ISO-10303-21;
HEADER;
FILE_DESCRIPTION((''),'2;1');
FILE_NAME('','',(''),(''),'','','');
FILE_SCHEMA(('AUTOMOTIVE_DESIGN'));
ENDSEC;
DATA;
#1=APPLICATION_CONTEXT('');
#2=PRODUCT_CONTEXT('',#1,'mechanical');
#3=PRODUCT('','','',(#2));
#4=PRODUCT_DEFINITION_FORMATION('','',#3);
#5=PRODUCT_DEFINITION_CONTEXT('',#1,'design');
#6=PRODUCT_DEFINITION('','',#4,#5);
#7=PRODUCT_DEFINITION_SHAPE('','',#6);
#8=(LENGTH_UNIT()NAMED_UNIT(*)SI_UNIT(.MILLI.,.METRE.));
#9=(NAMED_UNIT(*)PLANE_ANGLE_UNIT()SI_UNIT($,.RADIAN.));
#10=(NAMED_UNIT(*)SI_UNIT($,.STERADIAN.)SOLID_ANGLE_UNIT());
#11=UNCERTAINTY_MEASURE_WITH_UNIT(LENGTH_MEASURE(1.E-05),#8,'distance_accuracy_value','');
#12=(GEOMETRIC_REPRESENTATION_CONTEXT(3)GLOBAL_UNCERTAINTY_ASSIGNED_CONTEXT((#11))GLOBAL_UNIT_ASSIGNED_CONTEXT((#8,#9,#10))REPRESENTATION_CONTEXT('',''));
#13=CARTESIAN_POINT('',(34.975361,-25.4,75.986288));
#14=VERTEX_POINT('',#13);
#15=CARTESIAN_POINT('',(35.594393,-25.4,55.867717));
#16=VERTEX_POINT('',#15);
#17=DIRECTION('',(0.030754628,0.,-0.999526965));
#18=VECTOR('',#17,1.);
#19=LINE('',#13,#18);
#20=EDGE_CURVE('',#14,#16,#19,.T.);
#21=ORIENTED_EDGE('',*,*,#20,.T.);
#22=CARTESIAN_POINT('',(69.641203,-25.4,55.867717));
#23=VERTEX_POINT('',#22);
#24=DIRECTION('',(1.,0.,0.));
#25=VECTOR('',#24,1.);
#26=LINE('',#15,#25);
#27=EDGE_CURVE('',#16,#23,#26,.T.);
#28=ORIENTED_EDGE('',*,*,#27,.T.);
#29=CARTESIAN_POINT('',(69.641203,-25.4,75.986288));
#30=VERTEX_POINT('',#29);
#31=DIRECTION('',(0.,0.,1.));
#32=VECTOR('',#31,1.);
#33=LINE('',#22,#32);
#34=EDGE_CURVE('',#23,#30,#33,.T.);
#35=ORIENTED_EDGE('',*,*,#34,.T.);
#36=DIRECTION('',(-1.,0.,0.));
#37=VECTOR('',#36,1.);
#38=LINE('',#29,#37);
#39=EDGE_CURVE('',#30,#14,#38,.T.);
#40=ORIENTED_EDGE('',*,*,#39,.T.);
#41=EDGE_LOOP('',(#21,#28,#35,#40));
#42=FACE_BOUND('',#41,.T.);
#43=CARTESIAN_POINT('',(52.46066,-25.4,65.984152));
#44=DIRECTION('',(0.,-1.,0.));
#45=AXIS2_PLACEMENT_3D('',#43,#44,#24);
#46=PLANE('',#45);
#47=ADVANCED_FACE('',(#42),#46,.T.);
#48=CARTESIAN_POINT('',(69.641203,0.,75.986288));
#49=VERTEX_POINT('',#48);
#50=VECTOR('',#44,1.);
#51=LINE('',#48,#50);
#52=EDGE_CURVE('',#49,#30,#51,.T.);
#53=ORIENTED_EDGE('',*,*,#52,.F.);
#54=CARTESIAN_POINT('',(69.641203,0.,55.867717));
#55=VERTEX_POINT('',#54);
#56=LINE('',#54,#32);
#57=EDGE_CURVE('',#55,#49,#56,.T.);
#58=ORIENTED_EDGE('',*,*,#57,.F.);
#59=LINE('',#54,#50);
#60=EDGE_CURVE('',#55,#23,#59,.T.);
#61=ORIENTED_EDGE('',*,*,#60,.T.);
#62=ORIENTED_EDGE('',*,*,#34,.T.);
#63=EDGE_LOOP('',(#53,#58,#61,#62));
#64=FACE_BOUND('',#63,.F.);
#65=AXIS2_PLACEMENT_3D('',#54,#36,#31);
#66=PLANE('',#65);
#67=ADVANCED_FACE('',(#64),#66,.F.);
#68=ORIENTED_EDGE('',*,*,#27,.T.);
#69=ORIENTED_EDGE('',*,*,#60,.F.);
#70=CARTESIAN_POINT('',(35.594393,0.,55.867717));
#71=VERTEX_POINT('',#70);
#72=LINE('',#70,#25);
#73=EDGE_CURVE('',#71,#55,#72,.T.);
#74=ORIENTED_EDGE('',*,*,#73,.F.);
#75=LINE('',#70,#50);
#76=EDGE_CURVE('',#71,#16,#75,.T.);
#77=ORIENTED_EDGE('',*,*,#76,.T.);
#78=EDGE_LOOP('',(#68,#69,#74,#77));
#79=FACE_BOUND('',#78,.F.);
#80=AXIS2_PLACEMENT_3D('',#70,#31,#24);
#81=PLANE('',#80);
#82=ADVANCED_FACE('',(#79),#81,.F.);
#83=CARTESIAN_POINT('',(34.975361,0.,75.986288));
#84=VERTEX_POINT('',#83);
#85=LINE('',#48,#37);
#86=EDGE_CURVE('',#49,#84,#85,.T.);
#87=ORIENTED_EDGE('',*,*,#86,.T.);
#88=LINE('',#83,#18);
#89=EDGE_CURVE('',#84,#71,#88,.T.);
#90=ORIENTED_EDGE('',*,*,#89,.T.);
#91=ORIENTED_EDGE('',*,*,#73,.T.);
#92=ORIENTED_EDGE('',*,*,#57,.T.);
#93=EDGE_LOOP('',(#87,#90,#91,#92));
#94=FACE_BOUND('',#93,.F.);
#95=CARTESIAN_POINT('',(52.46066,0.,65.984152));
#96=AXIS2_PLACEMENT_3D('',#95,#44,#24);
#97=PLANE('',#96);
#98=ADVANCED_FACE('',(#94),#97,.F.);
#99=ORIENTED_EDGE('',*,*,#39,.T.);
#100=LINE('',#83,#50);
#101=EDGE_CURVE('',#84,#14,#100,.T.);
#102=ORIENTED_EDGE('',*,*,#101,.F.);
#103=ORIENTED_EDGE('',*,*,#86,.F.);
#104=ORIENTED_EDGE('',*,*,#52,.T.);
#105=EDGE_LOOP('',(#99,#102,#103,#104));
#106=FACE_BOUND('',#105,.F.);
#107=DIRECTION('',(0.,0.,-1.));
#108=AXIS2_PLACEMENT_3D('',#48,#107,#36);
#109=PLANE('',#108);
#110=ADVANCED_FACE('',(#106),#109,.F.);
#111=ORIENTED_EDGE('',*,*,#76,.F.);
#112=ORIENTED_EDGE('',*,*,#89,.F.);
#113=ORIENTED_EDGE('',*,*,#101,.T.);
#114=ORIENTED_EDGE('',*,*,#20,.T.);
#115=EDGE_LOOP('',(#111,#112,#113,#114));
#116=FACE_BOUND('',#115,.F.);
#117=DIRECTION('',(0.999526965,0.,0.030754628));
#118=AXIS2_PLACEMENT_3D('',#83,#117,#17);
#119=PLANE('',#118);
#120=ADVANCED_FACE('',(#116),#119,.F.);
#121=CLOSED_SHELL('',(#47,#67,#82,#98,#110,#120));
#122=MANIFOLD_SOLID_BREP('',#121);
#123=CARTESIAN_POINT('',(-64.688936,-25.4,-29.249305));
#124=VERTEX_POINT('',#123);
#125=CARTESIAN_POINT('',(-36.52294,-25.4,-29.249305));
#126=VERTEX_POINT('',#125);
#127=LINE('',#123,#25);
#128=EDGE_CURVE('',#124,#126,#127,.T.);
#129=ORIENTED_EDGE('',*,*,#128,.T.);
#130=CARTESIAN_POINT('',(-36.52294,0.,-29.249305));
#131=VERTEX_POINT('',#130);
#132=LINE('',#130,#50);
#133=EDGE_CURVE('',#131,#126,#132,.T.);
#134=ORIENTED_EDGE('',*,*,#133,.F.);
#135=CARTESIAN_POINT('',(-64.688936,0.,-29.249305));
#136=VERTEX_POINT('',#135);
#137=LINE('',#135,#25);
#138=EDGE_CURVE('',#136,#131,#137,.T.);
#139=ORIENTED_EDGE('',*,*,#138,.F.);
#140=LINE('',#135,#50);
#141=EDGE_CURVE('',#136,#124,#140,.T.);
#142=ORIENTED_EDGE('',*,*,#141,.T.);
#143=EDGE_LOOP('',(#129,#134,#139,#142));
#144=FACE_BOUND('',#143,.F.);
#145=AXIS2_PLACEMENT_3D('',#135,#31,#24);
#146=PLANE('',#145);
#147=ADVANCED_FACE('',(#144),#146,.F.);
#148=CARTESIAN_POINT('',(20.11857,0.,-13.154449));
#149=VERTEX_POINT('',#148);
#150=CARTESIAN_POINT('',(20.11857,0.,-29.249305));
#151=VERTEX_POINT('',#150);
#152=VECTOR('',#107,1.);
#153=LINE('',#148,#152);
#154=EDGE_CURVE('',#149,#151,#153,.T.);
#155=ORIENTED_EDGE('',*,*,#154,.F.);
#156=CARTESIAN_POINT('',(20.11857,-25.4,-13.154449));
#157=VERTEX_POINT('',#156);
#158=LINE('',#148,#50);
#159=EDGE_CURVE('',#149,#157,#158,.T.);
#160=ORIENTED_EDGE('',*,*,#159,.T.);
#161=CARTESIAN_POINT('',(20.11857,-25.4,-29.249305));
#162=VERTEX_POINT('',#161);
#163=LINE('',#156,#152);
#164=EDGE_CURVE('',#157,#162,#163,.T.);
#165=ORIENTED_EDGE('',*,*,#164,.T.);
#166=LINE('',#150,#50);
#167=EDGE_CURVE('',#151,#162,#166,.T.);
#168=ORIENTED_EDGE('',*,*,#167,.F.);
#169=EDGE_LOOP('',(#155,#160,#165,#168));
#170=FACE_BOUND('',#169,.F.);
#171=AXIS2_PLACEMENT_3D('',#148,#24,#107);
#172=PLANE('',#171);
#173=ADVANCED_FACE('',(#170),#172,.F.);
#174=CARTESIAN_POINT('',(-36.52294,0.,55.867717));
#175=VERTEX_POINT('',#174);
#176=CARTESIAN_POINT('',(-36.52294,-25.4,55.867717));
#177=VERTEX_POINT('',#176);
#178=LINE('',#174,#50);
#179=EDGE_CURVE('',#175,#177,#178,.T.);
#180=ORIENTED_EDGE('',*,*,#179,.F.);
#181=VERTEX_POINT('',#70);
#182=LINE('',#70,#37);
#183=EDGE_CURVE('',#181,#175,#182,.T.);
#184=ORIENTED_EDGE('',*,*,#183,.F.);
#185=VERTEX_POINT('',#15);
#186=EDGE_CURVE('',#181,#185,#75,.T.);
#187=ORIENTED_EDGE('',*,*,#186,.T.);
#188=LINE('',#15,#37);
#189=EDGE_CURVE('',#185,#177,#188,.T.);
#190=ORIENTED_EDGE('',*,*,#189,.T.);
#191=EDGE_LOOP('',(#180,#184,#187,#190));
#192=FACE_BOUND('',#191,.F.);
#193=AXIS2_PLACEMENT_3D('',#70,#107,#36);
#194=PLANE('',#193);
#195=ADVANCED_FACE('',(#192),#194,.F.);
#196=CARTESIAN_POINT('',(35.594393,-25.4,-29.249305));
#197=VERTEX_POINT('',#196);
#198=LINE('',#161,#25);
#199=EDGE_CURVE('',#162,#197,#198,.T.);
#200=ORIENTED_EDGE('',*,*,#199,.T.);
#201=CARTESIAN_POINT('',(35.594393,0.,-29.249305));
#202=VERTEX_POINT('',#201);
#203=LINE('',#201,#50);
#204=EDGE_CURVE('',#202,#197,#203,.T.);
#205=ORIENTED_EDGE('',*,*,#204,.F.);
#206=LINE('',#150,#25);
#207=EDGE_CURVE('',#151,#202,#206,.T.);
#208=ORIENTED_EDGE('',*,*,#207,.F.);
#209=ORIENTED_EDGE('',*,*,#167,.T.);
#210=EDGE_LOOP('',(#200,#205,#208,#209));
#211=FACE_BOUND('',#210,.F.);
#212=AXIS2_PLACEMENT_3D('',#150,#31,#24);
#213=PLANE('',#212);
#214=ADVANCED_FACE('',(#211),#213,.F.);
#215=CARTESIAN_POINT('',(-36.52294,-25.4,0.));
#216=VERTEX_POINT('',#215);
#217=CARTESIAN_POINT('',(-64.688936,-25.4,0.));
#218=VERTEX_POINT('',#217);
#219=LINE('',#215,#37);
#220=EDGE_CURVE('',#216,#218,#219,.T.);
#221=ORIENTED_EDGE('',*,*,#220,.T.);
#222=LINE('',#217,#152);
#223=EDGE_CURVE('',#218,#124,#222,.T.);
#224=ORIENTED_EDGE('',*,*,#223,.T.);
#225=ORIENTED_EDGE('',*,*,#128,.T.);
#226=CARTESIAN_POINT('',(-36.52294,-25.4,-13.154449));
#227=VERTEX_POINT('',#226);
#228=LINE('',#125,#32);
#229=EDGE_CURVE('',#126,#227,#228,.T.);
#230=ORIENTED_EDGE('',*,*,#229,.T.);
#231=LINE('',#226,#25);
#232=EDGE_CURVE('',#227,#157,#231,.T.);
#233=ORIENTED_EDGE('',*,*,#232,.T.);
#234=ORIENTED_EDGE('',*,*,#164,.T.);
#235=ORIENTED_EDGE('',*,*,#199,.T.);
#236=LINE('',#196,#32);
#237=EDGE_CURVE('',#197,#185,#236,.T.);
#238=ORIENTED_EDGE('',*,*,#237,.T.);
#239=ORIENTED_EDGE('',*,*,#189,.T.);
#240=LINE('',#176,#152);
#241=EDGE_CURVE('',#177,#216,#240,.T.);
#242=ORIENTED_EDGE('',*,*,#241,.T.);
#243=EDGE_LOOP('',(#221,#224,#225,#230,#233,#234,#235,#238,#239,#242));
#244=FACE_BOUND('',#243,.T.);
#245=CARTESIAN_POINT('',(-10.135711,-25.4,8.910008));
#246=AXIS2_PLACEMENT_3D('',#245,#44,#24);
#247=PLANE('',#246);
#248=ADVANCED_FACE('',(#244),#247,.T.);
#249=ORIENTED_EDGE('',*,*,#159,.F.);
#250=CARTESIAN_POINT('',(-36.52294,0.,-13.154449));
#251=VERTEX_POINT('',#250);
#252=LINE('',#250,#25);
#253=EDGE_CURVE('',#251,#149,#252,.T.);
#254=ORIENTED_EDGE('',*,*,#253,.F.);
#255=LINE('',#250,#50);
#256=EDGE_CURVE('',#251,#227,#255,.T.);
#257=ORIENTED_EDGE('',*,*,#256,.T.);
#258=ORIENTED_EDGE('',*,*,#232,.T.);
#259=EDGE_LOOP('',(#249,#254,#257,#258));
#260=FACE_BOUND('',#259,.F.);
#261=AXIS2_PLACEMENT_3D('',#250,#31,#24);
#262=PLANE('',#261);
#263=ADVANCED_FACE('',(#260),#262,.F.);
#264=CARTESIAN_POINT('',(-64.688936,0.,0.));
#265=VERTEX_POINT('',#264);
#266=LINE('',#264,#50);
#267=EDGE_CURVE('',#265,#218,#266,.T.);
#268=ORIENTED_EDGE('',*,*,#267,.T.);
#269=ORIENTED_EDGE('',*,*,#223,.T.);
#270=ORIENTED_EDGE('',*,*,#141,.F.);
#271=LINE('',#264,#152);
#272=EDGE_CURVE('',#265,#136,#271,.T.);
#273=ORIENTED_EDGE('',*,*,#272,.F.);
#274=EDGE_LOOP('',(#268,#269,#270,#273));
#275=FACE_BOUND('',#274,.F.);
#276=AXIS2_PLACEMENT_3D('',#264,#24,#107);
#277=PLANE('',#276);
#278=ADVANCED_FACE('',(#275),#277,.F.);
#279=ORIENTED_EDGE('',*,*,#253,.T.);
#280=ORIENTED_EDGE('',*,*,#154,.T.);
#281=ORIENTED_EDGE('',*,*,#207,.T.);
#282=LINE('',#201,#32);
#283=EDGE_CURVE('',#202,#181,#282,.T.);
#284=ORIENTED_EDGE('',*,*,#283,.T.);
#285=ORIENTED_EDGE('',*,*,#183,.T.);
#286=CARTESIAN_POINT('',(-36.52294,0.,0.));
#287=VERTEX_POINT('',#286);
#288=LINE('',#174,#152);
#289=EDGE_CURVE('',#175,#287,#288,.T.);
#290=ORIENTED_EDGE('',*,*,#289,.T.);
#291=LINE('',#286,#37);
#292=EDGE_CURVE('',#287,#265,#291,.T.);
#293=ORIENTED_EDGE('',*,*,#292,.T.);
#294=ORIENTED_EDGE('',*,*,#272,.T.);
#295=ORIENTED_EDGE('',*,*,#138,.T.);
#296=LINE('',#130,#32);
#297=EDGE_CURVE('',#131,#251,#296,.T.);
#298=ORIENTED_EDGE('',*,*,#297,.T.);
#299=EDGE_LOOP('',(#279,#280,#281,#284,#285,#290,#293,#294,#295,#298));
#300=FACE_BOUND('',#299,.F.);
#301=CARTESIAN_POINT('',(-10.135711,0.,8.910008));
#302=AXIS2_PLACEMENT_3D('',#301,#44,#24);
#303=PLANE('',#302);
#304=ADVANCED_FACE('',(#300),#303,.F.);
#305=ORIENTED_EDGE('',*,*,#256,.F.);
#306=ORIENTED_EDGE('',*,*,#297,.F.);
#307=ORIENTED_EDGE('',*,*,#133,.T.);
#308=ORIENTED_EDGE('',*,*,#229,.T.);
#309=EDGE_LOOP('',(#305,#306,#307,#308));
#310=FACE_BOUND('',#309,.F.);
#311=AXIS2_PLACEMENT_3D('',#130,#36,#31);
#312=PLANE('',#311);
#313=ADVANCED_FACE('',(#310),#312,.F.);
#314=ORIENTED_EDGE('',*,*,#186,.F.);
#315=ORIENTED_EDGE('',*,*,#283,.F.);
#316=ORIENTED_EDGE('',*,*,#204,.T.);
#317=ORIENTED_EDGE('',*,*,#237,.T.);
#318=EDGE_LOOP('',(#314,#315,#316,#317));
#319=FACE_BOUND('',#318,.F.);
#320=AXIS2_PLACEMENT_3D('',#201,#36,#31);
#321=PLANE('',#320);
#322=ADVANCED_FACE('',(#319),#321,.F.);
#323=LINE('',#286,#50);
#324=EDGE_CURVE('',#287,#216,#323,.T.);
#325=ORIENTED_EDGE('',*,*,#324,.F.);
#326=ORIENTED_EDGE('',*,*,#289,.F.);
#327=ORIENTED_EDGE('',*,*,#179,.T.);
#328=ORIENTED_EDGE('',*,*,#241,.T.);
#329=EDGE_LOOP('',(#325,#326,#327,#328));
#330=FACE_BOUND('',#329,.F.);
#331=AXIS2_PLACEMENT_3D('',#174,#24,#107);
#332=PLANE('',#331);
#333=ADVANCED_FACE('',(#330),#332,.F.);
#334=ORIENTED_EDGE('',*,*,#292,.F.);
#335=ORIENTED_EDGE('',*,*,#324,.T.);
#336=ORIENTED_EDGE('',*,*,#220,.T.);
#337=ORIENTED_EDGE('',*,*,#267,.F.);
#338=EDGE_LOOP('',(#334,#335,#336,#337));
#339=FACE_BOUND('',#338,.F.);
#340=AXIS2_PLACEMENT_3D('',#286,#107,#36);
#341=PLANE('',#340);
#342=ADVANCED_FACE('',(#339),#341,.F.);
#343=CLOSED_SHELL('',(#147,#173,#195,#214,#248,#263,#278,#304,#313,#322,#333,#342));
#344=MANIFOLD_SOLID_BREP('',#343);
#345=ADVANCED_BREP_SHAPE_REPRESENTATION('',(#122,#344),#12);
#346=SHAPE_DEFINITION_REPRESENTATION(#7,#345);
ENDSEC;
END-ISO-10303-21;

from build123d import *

# Parameters (mm, degrees)
F1_DEPTH = 25.4


with BuildPart() as f1:
    # F0 (on Front) → F1 (new body)
    with BuildSketch(Plane.XZ):
        Polygon((34.975361, 75.986288), (35.594393, 55.867717), (69.641203, 55.867717), (69.641203, 75.986288), align=None)
        Polygon((35.594393, 55.867717), (0, 55.867717), (-36.52294, 55.867717), (-36.52294, 0), (-64.688936, 0), (-64.688936, -29.249305), (-36.52294, -29.249305), (-36.52294, -13.154449), (20.11857, -13.154449), (20.11857, -29.249305), (35.594393, -29.249305), align=None)
    extrude(amount=F1_DEPTH)


solid = f1.part
